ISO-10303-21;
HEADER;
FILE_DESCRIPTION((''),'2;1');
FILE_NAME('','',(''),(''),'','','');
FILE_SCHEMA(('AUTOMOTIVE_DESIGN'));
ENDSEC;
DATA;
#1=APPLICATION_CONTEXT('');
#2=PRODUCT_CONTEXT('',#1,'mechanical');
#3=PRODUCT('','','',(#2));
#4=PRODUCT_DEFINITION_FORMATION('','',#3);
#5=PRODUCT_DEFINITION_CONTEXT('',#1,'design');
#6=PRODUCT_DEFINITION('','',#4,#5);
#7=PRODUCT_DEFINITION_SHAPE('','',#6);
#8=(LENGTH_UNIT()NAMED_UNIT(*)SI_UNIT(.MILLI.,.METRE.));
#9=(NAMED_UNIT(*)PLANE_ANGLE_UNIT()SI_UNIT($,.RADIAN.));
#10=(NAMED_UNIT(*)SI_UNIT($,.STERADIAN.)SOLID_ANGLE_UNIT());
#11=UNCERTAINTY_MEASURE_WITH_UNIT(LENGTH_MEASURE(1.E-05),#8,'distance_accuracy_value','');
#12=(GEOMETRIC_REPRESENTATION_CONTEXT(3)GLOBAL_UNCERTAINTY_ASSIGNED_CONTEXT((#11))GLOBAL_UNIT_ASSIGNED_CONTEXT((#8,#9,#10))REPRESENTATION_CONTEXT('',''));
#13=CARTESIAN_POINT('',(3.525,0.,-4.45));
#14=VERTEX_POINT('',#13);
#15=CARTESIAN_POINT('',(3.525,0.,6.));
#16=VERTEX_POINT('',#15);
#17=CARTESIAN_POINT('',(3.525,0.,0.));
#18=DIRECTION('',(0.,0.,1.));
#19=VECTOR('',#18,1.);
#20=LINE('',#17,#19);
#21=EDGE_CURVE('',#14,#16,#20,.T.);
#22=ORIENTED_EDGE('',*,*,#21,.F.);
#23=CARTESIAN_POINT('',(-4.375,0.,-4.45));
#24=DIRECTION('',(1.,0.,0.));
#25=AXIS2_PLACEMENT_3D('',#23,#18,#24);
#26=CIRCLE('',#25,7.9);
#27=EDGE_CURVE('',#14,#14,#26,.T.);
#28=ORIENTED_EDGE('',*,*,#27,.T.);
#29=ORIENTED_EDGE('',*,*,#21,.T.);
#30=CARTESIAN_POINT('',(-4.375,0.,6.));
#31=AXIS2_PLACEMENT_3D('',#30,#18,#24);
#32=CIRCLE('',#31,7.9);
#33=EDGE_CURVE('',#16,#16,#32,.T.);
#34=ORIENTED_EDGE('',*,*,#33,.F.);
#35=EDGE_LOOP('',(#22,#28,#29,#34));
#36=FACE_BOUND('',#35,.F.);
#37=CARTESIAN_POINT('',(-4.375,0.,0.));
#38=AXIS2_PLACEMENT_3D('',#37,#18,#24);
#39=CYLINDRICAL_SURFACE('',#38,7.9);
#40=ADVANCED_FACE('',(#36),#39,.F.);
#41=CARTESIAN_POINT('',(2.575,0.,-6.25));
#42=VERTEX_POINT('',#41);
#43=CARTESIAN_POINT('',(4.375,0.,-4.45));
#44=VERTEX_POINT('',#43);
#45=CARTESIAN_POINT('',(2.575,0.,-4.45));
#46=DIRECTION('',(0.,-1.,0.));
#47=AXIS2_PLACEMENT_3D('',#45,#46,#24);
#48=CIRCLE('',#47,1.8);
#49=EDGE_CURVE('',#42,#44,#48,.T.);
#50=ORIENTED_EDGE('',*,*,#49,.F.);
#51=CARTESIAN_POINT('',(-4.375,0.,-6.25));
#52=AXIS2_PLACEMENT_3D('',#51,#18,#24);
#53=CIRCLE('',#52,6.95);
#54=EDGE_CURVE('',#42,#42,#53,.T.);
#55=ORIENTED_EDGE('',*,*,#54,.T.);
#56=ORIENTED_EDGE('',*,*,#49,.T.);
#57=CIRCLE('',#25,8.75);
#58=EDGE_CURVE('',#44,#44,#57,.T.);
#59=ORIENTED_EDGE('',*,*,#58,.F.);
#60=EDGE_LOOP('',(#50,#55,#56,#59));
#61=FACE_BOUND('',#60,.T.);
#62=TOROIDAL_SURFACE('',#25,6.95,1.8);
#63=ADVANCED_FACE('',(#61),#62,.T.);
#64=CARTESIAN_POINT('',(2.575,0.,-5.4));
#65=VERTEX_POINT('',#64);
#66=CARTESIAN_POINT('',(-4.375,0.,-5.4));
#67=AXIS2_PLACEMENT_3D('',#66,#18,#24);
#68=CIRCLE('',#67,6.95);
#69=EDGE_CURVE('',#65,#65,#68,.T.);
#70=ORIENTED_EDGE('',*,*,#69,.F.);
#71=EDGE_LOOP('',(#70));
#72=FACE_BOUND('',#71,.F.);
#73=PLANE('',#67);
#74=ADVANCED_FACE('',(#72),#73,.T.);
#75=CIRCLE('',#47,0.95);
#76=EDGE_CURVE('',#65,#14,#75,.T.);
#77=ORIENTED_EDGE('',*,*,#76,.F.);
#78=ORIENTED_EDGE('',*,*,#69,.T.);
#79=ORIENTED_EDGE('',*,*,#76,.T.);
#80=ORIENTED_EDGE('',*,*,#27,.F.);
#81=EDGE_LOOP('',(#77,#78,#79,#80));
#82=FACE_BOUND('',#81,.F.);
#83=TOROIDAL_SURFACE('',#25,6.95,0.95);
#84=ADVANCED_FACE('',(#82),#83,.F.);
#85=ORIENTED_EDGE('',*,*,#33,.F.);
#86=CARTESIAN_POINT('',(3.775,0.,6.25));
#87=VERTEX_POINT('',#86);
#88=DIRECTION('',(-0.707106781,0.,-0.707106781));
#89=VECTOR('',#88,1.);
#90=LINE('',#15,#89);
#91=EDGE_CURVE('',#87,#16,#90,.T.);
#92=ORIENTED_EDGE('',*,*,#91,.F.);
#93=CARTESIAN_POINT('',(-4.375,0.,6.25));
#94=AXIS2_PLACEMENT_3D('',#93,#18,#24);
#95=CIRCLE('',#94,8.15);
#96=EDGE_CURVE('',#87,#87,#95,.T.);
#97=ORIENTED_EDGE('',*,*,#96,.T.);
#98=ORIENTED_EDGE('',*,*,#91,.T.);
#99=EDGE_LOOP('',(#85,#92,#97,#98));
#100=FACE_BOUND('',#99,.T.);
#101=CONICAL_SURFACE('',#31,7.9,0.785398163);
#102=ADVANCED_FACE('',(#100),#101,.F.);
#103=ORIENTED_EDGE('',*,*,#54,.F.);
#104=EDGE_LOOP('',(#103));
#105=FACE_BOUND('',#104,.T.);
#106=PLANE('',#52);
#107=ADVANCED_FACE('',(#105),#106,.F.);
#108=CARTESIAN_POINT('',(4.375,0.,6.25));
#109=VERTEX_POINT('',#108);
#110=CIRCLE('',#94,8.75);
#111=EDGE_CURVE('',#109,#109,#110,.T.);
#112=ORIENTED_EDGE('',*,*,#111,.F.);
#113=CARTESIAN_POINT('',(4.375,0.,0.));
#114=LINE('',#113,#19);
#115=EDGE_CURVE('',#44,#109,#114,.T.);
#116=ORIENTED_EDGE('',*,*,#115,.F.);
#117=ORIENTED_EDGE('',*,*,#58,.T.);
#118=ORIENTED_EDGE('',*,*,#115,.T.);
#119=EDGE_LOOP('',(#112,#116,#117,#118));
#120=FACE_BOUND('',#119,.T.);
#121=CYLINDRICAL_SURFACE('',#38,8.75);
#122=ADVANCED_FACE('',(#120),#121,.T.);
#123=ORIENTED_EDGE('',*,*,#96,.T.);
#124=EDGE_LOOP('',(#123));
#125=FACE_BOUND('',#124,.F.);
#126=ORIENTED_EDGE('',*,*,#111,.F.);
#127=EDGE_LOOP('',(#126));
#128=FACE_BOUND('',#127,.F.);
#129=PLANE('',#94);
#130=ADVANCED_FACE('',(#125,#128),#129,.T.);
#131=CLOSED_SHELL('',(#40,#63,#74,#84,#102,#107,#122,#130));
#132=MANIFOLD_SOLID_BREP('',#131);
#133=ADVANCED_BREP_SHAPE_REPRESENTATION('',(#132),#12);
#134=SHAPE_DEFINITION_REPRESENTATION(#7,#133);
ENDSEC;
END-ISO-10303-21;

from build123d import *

# Parameters (mm, degrees)
F0_W    = 8.75
F0_H    = 12.5
F2_R    = 1.8
F3_T    = -0.85
F4_SIZE = 0.25


with BuildPart() as f1:
    # F0 (on Front) → F1 (revolve)
    with BuildSketch(Plane.XZ):
        Rectangle(F0_W, F0_H)
    revolve(axis=Axis((-4.375, 0, 0), (0, 0, 1)))

    # F2
    f2_edges = [f1.edges().sort_by_distance(p)[0] for p in [
        (-13.125, 0, -6.25),
    ]]
    fillet(f2_edges, radius=F2_R)

    # F3
    f3_openings = [f1.faces().sort_by_distance(p)[0] for p in [
        (-4.375, 0, 6.25),
    ]]
    offset(amount=F3_T, openings=f3_openings)

    # F4
    f4_edges = [f1.edges().sort_by_distance(p)[0] for p in [
        (-12.275, 0, 6.25),
    ]]
    chamfer(f4_edges, length=F4_SIZE)


solid = f1.part
